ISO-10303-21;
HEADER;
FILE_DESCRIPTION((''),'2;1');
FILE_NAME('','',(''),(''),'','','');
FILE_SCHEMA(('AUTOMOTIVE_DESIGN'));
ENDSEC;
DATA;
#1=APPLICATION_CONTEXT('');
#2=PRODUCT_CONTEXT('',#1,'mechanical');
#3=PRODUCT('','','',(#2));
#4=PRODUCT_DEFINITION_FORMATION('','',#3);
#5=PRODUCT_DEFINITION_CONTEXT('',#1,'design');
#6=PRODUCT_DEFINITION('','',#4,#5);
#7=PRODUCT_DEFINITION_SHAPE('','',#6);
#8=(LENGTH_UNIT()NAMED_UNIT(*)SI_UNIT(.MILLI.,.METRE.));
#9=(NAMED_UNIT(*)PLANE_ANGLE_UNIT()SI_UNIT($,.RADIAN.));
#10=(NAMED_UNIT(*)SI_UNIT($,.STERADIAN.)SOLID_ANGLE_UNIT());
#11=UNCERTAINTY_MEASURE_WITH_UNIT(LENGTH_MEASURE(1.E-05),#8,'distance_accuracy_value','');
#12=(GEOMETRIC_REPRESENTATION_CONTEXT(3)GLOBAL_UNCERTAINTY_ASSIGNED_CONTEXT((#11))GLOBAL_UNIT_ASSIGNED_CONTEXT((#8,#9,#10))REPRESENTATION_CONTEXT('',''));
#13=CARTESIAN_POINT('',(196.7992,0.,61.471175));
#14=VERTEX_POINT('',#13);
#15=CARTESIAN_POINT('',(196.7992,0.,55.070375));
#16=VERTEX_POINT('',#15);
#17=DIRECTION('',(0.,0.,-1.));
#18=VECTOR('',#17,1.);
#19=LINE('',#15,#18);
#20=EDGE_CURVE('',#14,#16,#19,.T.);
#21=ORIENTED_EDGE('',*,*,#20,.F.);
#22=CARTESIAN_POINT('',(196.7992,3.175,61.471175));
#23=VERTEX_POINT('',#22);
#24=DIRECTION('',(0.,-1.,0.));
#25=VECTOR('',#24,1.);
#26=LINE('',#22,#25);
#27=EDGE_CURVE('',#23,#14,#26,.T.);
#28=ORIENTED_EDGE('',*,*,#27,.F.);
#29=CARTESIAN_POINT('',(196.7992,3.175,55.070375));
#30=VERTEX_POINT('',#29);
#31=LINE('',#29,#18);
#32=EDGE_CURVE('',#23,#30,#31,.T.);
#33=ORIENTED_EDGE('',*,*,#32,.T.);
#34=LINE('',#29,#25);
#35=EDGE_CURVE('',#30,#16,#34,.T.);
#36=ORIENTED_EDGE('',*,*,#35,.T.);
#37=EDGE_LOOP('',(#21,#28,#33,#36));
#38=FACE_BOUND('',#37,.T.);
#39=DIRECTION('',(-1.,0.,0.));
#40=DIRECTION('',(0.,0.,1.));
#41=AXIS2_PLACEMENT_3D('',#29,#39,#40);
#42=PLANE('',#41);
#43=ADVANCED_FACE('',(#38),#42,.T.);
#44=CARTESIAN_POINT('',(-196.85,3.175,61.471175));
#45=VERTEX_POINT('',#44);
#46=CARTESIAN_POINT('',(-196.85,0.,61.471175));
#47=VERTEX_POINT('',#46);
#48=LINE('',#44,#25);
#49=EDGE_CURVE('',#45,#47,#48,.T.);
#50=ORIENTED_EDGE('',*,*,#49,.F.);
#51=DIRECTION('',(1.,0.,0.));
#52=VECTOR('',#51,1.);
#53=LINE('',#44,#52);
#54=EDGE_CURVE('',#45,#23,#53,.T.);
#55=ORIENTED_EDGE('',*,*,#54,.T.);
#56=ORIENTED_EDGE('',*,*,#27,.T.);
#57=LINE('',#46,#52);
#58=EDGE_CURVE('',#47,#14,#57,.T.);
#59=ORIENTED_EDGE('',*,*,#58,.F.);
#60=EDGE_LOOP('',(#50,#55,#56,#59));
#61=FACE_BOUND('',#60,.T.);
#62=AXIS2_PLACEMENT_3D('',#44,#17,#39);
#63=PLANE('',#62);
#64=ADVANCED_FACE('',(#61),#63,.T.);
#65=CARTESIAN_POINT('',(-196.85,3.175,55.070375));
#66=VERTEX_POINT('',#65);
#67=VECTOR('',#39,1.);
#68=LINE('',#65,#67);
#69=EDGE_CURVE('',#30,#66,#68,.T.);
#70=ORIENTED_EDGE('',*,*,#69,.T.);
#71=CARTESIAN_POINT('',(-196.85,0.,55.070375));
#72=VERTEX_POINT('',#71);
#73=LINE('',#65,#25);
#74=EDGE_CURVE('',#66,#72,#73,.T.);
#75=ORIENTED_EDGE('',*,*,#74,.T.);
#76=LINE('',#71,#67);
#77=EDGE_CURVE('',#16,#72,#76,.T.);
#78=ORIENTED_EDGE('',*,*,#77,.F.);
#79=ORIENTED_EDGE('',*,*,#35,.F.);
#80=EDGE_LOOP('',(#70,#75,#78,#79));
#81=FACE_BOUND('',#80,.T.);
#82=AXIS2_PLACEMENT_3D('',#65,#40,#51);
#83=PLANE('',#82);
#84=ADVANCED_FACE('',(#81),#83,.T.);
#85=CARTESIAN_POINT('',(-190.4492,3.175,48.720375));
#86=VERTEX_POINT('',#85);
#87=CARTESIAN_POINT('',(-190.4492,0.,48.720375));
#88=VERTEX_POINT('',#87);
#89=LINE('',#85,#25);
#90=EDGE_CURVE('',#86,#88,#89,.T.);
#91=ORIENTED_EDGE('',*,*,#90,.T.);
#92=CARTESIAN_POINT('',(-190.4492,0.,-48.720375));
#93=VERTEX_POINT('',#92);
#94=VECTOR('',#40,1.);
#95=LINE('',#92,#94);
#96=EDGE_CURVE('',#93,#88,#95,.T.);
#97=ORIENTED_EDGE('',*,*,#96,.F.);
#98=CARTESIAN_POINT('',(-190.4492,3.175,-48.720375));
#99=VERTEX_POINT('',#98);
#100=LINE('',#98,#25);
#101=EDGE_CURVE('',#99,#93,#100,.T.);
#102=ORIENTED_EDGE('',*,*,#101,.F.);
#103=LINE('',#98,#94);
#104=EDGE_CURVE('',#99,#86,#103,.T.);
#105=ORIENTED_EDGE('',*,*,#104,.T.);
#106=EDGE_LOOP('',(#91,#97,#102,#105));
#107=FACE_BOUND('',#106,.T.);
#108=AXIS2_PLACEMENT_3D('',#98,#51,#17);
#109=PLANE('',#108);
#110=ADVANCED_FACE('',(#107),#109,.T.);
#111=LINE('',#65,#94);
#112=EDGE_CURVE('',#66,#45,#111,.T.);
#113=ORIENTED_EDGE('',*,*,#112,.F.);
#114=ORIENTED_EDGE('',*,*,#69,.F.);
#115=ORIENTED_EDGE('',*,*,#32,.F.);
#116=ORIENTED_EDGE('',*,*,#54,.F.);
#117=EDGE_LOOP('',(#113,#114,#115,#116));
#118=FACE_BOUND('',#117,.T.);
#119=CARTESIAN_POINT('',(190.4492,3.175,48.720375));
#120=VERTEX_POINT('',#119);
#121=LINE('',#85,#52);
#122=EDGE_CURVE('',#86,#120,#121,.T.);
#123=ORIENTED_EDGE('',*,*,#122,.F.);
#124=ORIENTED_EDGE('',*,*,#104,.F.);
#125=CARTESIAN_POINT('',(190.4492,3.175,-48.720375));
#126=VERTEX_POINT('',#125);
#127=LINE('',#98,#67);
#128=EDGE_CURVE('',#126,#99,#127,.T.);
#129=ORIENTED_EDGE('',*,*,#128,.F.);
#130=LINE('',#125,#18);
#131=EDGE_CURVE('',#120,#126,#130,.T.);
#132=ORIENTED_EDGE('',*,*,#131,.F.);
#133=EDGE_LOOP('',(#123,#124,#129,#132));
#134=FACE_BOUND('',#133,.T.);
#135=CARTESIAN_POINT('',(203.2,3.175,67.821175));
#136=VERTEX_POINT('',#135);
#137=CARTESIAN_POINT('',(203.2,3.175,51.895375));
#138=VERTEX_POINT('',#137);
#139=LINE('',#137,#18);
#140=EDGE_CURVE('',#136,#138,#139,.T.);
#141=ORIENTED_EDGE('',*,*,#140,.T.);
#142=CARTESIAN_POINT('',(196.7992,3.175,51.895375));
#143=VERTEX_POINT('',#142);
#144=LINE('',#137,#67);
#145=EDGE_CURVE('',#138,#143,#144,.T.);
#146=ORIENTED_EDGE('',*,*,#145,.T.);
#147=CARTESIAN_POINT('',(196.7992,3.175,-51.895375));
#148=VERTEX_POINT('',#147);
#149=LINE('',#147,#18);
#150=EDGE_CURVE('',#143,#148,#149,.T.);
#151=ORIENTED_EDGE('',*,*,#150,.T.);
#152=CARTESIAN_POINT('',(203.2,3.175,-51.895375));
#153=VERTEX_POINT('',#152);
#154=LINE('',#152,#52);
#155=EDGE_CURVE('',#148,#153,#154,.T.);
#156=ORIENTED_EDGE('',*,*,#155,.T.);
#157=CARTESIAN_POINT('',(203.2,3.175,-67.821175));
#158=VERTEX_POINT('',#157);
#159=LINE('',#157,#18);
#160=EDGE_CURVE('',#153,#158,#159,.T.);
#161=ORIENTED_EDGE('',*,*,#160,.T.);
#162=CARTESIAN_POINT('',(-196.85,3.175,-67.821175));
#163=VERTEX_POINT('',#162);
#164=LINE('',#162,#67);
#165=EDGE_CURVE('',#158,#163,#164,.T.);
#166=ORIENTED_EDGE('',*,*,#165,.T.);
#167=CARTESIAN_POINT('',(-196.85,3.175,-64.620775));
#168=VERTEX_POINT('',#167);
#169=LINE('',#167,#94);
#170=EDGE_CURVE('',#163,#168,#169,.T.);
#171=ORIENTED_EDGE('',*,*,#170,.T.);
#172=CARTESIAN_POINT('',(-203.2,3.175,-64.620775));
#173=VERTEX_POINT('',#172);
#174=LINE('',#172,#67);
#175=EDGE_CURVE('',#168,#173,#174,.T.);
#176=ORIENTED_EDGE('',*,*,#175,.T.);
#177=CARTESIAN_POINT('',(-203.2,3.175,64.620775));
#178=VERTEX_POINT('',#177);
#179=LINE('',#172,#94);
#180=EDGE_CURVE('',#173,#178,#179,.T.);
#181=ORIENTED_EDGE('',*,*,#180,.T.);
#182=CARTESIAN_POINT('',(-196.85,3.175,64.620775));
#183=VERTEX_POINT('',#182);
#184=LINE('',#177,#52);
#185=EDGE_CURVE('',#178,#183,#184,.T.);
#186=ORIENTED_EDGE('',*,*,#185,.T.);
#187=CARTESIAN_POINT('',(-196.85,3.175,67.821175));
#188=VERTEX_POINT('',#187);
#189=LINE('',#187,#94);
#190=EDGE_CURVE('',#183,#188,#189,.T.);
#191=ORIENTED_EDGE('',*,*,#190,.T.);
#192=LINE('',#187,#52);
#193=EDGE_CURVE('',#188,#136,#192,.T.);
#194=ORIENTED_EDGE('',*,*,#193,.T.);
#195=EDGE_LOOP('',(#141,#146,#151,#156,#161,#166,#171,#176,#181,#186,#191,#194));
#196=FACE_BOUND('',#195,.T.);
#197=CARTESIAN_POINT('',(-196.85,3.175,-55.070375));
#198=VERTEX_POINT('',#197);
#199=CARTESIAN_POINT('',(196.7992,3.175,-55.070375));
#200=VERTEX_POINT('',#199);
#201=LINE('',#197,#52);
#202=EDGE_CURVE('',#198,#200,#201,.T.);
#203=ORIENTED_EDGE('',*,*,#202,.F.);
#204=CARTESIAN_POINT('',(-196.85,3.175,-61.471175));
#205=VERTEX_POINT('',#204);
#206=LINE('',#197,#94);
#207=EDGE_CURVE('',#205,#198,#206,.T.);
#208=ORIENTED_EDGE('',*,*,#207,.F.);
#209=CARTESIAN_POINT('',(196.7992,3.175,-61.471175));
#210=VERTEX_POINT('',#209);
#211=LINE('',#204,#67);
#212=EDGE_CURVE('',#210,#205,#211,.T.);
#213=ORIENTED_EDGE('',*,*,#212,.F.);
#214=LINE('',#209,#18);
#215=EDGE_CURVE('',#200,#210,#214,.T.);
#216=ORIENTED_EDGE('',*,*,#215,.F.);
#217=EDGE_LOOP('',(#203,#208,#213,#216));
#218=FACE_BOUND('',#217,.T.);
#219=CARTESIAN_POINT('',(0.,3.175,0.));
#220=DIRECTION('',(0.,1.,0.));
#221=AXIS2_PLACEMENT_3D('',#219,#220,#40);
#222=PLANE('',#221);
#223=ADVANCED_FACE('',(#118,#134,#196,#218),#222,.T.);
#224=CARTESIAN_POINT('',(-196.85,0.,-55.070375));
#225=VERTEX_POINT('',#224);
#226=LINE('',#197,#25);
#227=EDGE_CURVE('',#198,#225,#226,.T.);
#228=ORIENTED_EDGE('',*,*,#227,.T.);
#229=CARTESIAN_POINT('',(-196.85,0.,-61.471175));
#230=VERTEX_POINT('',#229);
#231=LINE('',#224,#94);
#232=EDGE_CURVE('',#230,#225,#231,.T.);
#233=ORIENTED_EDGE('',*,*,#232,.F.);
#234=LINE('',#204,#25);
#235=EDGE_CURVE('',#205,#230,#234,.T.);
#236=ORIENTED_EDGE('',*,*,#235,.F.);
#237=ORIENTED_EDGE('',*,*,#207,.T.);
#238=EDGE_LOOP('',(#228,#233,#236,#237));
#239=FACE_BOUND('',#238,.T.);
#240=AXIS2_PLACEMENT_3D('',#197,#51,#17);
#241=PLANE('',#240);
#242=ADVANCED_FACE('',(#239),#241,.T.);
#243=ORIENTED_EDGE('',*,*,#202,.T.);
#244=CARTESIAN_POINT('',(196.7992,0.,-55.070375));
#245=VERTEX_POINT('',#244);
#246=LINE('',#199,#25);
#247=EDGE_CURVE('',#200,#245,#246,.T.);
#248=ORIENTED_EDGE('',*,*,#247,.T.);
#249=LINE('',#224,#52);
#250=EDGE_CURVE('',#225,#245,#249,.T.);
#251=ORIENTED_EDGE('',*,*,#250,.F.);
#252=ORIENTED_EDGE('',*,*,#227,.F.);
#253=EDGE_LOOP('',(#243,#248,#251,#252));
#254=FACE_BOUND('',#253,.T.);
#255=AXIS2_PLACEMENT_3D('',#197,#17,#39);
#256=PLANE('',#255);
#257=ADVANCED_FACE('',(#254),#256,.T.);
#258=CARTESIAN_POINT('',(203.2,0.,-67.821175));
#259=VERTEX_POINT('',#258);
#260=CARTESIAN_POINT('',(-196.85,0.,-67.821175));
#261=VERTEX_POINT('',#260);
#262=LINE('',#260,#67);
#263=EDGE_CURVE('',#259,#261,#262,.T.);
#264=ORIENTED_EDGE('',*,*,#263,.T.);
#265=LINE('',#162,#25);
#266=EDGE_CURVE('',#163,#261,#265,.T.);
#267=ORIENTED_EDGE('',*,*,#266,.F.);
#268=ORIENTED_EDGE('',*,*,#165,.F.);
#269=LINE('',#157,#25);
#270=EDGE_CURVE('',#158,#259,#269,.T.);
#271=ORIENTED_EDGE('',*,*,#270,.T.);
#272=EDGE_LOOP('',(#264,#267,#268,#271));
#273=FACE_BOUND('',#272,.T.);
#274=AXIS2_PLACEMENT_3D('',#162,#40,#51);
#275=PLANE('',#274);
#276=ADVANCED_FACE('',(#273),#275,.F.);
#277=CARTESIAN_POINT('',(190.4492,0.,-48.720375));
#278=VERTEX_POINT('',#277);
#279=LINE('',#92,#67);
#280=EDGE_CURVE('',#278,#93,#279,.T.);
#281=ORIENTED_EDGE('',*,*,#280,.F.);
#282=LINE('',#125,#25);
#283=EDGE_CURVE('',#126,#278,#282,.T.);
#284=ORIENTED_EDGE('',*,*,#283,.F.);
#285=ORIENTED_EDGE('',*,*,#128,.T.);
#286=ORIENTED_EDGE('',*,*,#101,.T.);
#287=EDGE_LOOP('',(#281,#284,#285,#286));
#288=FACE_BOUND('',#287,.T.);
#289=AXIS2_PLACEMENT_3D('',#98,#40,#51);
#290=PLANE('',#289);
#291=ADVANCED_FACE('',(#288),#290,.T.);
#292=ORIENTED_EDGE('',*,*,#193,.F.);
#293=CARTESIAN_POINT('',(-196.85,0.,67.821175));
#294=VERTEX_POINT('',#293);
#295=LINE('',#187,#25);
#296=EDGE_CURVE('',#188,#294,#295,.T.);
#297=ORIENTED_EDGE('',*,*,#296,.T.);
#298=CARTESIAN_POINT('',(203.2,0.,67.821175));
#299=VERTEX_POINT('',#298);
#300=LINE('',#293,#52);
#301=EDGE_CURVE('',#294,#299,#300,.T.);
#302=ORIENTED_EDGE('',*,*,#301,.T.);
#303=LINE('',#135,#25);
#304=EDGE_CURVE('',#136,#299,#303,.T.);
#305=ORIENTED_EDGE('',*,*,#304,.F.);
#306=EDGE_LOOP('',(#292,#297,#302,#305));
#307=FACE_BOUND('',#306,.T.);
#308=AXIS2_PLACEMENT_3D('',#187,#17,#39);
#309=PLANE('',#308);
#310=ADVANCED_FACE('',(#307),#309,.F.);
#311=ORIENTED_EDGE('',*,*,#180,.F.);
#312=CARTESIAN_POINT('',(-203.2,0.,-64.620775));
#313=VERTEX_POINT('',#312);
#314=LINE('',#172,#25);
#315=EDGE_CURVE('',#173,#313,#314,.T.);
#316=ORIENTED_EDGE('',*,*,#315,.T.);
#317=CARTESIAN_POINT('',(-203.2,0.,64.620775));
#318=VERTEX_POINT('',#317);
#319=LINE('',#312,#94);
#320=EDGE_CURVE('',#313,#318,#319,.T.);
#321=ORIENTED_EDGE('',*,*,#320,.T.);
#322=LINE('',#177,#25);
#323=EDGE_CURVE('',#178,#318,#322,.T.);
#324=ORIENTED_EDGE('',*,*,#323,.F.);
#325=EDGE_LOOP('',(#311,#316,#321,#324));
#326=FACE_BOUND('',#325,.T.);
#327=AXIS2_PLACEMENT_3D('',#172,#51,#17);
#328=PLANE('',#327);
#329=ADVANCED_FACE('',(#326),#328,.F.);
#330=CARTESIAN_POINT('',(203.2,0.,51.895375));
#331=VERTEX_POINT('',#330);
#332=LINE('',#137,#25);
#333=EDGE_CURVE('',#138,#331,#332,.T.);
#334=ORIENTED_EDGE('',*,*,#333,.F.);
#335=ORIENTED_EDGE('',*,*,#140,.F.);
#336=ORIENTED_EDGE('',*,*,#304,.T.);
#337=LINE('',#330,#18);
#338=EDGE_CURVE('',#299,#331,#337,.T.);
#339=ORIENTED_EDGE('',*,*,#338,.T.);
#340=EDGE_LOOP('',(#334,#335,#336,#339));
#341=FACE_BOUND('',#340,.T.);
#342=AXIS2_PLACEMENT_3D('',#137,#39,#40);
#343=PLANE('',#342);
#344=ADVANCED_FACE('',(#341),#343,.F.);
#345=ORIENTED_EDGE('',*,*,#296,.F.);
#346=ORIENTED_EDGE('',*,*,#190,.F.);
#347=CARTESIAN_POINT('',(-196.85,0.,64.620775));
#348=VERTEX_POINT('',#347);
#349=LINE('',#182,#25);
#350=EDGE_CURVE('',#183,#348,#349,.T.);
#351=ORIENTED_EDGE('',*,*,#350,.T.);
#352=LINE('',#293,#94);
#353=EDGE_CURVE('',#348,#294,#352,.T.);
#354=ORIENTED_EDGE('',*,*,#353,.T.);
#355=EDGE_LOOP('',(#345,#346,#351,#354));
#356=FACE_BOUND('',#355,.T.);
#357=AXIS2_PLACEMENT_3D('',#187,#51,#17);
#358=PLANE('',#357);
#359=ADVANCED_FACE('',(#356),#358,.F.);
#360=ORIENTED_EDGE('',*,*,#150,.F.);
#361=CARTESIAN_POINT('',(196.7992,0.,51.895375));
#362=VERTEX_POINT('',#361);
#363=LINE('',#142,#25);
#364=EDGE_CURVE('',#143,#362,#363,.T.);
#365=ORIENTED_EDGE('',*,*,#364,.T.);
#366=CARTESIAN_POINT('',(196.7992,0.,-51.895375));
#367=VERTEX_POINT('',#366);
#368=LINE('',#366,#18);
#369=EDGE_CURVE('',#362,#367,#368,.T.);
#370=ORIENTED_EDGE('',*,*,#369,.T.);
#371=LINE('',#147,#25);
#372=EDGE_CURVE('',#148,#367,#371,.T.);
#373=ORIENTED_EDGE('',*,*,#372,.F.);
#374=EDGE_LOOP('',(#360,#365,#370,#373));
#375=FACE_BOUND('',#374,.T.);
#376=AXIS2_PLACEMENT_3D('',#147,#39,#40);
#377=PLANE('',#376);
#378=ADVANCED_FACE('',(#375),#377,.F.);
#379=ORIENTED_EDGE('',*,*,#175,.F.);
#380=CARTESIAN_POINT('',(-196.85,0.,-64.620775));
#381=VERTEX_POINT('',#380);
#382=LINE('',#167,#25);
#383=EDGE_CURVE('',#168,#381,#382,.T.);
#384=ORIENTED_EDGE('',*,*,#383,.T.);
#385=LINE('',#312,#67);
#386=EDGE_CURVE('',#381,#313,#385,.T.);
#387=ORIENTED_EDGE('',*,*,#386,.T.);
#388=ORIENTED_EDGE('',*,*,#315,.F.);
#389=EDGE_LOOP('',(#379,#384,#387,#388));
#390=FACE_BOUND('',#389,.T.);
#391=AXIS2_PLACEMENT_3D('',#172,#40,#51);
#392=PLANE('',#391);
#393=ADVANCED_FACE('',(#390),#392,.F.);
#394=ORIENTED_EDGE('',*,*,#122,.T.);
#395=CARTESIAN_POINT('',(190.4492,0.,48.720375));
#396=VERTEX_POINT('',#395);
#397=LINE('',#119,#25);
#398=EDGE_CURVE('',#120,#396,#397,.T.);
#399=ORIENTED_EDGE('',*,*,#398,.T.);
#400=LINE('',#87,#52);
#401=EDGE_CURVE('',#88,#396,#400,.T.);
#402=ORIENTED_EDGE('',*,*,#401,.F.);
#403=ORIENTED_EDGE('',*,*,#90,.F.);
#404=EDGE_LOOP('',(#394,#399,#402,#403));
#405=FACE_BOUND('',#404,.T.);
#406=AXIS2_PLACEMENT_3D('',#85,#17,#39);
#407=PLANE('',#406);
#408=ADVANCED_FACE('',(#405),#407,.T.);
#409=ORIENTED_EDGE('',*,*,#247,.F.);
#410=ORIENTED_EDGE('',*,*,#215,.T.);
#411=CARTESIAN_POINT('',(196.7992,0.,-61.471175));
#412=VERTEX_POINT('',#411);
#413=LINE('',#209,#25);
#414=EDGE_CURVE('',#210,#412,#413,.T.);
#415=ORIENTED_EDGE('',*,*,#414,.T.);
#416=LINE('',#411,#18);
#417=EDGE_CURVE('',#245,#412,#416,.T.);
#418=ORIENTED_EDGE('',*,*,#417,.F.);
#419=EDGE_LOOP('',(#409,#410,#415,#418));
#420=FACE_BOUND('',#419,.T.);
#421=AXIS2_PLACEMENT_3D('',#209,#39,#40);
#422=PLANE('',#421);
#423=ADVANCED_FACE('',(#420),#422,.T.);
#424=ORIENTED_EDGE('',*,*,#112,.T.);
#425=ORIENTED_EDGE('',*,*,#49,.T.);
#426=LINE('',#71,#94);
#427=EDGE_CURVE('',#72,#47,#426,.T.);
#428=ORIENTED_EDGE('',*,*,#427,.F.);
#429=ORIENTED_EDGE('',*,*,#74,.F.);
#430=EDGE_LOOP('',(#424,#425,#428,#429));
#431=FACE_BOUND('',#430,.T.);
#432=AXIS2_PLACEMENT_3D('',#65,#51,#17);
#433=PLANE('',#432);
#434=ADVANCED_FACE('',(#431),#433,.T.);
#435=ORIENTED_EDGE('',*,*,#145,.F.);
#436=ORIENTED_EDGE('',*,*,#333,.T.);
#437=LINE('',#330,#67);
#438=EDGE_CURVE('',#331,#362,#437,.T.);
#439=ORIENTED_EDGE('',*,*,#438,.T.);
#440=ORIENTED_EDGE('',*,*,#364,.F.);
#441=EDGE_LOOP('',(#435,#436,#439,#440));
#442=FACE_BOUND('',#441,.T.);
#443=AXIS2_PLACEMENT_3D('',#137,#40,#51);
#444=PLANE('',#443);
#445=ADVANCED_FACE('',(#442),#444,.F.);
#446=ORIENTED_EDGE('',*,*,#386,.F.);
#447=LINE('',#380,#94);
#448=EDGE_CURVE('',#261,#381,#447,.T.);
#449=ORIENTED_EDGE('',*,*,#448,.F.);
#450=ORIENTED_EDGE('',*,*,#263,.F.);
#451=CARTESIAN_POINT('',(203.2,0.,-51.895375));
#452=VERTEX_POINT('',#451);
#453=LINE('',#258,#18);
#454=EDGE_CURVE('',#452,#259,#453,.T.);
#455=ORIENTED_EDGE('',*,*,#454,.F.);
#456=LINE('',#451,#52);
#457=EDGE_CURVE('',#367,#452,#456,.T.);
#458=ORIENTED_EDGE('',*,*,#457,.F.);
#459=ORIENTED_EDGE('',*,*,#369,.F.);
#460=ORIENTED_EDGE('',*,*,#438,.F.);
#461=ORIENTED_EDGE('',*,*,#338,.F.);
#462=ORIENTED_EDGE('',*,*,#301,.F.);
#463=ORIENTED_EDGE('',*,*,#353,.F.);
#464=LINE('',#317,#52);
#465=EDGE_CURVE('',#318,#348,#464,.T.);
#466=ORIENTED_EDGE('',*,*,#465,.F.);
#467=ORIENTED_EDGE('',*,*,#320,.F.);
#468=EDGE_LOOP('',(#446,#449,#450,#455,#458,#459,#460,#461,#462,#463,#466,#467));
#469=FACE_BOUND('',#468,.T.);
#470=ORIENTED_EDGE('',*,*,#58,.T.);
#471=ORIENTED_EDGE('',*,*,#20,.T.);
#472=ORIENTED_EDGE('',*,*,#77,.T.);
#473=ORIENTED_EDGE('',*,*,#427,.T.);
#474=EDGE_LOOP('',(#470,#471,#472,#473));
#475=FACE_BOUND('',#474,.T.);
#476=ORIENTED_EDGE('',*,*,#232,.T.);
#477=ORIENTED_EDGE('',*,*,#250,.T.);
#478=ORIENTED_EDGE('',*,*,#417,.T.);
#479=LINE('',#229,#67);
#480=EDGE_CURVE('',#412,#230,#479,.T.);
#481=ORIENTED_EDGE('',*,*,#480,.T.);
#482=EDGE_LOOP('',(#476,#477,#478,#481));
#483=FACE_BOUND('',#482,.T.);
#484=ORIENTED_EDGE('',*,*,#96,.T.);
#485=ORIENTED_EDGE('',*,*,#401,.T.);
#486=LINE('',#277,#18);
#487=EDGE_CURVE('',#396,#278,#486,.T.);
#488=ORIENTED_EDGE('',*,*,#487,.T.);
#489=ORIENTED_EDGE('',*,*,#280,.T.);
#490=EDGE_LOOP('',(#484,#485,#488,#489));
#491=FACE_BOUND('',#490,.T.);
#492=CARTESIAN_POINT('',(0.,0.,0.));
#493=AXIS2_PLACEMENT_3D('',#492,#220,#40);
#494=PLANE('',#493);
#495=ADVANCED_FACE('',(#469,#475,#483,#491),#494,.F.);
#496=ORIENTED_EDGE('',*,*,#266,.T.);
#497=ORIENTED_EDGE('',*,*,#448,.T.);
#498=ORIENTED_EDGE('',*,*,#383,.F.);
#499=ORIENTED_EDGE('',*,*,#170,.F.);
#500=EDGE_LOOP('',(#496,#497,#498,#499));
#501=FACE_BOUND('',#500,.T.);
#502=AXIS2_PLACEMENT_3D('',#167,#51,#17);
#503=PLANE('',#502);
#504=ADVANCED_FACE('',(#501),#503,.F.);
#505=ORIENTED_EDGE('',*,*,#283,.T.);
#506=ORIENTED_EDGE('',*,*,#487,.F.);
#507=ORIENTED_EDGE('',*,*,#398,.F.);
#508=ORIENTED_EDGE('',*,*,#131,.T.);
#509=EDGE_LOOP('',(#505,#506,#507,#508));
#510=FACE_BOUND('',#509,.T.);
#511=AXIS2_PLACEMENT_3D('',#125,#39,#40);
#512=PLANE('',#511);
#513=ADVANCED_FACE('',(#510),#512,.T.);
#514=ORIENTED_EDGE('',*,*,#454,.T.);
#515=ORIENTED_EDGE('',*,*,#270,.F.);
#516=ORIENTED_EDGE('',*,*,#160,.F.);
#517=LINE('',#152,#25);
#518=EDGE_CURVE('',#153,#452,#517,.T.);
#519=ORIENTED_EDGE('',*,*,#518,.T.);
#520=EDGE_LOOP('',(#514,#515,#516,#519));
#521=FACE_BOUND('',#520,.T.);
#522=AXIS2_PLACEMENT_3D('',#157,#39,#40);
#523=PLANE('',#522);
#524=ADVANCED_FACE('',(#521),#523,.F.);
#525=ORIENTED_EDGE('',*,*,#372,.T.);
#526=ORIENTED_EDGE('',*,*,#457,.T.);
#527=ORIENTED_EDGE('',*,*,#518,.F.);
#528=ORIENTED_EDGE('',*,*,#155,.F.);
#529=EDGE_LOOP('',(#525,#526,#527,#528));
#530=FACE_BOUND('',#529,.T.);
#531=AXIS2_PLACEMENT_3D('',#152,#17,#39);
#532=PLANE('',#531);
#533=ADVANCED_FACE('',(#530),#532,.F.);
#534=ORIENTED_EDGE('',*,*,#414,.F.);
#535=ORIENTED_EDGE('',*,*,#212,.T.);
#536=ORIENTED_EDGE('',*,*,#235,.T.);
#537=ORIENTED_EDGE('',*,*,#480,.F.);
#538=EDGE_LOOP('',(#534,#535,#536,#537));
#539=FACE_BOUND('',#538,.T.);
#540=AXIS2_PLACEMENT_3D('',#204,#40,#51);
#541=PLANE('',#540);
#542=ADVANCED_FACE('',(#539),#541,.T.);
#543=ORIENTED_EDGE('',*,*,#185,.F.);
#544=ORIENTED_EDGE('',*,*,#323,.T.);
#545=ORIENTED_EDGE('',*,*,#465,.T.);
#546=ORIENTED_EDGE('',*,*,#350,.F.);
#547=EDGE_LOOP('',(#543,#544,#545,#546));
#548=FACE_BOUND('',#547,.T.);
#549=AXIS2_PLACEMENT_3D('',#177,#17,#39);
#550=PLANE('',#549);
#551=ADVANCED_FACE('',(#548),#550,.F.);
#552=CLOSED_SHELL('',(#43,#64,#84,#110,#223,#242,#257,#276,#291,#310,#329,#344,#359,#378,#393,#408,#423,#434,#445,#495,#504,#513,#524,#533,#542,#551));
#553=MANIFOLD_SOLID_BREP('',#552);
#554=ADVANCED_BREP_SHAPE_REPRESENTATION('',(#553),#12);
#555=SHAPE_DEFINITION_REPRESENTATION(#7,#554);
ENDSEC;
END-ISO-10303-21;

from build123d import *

# Parameters (mm, degrees)
SKETCH1_W           = 393.6492
SKETCH1_H           = 6.4008
SKETCH1_W_2         = 380.8984
SKETCH1_H_2         = 97.44075
BOSS_EXTRUDE1_DEPTH = 3.175


with BuildPart() as part:
    # Sketch1 → Boss-Extrude1 (new body)
    with BuildSketch(Plane(origin=(0, 0, 0), x_dir=(1, 0, 0), z_dir=(0, 1, 0))):
        Polygon((-203.2, 64.620775), (-203.2, -64.620775), (-196.85, -64.620775), (-196.85, -67.821175), (203.2, -67.821175), (203.2, -51.895375), (196.7992, -51.895375), (196.7992, 51.895375), (203.2, 51.895375), (203.2, 67.821175), (-196.85, 67.821175), (-196.85, 64.620775), align=None)
        with Locations((-0.0254, 58.270775)):
            Rectangle(SKETCH1_W, SKETCH1_H, mode=Mode.SUBTRACT)
        with Locations((-0.0254, -58.270775)):
            Rectangle(SKETCH1_W, SKETCH1_H, mode=Mode.SUBTRACT)
        Rectangle(SKETCH1_W_2, SKETCH1_H_2, mode=Mode.SUBTRACT)
    extrude(amount=BOSS_EXTRUDE1_DEPTH)


solid = part.part
